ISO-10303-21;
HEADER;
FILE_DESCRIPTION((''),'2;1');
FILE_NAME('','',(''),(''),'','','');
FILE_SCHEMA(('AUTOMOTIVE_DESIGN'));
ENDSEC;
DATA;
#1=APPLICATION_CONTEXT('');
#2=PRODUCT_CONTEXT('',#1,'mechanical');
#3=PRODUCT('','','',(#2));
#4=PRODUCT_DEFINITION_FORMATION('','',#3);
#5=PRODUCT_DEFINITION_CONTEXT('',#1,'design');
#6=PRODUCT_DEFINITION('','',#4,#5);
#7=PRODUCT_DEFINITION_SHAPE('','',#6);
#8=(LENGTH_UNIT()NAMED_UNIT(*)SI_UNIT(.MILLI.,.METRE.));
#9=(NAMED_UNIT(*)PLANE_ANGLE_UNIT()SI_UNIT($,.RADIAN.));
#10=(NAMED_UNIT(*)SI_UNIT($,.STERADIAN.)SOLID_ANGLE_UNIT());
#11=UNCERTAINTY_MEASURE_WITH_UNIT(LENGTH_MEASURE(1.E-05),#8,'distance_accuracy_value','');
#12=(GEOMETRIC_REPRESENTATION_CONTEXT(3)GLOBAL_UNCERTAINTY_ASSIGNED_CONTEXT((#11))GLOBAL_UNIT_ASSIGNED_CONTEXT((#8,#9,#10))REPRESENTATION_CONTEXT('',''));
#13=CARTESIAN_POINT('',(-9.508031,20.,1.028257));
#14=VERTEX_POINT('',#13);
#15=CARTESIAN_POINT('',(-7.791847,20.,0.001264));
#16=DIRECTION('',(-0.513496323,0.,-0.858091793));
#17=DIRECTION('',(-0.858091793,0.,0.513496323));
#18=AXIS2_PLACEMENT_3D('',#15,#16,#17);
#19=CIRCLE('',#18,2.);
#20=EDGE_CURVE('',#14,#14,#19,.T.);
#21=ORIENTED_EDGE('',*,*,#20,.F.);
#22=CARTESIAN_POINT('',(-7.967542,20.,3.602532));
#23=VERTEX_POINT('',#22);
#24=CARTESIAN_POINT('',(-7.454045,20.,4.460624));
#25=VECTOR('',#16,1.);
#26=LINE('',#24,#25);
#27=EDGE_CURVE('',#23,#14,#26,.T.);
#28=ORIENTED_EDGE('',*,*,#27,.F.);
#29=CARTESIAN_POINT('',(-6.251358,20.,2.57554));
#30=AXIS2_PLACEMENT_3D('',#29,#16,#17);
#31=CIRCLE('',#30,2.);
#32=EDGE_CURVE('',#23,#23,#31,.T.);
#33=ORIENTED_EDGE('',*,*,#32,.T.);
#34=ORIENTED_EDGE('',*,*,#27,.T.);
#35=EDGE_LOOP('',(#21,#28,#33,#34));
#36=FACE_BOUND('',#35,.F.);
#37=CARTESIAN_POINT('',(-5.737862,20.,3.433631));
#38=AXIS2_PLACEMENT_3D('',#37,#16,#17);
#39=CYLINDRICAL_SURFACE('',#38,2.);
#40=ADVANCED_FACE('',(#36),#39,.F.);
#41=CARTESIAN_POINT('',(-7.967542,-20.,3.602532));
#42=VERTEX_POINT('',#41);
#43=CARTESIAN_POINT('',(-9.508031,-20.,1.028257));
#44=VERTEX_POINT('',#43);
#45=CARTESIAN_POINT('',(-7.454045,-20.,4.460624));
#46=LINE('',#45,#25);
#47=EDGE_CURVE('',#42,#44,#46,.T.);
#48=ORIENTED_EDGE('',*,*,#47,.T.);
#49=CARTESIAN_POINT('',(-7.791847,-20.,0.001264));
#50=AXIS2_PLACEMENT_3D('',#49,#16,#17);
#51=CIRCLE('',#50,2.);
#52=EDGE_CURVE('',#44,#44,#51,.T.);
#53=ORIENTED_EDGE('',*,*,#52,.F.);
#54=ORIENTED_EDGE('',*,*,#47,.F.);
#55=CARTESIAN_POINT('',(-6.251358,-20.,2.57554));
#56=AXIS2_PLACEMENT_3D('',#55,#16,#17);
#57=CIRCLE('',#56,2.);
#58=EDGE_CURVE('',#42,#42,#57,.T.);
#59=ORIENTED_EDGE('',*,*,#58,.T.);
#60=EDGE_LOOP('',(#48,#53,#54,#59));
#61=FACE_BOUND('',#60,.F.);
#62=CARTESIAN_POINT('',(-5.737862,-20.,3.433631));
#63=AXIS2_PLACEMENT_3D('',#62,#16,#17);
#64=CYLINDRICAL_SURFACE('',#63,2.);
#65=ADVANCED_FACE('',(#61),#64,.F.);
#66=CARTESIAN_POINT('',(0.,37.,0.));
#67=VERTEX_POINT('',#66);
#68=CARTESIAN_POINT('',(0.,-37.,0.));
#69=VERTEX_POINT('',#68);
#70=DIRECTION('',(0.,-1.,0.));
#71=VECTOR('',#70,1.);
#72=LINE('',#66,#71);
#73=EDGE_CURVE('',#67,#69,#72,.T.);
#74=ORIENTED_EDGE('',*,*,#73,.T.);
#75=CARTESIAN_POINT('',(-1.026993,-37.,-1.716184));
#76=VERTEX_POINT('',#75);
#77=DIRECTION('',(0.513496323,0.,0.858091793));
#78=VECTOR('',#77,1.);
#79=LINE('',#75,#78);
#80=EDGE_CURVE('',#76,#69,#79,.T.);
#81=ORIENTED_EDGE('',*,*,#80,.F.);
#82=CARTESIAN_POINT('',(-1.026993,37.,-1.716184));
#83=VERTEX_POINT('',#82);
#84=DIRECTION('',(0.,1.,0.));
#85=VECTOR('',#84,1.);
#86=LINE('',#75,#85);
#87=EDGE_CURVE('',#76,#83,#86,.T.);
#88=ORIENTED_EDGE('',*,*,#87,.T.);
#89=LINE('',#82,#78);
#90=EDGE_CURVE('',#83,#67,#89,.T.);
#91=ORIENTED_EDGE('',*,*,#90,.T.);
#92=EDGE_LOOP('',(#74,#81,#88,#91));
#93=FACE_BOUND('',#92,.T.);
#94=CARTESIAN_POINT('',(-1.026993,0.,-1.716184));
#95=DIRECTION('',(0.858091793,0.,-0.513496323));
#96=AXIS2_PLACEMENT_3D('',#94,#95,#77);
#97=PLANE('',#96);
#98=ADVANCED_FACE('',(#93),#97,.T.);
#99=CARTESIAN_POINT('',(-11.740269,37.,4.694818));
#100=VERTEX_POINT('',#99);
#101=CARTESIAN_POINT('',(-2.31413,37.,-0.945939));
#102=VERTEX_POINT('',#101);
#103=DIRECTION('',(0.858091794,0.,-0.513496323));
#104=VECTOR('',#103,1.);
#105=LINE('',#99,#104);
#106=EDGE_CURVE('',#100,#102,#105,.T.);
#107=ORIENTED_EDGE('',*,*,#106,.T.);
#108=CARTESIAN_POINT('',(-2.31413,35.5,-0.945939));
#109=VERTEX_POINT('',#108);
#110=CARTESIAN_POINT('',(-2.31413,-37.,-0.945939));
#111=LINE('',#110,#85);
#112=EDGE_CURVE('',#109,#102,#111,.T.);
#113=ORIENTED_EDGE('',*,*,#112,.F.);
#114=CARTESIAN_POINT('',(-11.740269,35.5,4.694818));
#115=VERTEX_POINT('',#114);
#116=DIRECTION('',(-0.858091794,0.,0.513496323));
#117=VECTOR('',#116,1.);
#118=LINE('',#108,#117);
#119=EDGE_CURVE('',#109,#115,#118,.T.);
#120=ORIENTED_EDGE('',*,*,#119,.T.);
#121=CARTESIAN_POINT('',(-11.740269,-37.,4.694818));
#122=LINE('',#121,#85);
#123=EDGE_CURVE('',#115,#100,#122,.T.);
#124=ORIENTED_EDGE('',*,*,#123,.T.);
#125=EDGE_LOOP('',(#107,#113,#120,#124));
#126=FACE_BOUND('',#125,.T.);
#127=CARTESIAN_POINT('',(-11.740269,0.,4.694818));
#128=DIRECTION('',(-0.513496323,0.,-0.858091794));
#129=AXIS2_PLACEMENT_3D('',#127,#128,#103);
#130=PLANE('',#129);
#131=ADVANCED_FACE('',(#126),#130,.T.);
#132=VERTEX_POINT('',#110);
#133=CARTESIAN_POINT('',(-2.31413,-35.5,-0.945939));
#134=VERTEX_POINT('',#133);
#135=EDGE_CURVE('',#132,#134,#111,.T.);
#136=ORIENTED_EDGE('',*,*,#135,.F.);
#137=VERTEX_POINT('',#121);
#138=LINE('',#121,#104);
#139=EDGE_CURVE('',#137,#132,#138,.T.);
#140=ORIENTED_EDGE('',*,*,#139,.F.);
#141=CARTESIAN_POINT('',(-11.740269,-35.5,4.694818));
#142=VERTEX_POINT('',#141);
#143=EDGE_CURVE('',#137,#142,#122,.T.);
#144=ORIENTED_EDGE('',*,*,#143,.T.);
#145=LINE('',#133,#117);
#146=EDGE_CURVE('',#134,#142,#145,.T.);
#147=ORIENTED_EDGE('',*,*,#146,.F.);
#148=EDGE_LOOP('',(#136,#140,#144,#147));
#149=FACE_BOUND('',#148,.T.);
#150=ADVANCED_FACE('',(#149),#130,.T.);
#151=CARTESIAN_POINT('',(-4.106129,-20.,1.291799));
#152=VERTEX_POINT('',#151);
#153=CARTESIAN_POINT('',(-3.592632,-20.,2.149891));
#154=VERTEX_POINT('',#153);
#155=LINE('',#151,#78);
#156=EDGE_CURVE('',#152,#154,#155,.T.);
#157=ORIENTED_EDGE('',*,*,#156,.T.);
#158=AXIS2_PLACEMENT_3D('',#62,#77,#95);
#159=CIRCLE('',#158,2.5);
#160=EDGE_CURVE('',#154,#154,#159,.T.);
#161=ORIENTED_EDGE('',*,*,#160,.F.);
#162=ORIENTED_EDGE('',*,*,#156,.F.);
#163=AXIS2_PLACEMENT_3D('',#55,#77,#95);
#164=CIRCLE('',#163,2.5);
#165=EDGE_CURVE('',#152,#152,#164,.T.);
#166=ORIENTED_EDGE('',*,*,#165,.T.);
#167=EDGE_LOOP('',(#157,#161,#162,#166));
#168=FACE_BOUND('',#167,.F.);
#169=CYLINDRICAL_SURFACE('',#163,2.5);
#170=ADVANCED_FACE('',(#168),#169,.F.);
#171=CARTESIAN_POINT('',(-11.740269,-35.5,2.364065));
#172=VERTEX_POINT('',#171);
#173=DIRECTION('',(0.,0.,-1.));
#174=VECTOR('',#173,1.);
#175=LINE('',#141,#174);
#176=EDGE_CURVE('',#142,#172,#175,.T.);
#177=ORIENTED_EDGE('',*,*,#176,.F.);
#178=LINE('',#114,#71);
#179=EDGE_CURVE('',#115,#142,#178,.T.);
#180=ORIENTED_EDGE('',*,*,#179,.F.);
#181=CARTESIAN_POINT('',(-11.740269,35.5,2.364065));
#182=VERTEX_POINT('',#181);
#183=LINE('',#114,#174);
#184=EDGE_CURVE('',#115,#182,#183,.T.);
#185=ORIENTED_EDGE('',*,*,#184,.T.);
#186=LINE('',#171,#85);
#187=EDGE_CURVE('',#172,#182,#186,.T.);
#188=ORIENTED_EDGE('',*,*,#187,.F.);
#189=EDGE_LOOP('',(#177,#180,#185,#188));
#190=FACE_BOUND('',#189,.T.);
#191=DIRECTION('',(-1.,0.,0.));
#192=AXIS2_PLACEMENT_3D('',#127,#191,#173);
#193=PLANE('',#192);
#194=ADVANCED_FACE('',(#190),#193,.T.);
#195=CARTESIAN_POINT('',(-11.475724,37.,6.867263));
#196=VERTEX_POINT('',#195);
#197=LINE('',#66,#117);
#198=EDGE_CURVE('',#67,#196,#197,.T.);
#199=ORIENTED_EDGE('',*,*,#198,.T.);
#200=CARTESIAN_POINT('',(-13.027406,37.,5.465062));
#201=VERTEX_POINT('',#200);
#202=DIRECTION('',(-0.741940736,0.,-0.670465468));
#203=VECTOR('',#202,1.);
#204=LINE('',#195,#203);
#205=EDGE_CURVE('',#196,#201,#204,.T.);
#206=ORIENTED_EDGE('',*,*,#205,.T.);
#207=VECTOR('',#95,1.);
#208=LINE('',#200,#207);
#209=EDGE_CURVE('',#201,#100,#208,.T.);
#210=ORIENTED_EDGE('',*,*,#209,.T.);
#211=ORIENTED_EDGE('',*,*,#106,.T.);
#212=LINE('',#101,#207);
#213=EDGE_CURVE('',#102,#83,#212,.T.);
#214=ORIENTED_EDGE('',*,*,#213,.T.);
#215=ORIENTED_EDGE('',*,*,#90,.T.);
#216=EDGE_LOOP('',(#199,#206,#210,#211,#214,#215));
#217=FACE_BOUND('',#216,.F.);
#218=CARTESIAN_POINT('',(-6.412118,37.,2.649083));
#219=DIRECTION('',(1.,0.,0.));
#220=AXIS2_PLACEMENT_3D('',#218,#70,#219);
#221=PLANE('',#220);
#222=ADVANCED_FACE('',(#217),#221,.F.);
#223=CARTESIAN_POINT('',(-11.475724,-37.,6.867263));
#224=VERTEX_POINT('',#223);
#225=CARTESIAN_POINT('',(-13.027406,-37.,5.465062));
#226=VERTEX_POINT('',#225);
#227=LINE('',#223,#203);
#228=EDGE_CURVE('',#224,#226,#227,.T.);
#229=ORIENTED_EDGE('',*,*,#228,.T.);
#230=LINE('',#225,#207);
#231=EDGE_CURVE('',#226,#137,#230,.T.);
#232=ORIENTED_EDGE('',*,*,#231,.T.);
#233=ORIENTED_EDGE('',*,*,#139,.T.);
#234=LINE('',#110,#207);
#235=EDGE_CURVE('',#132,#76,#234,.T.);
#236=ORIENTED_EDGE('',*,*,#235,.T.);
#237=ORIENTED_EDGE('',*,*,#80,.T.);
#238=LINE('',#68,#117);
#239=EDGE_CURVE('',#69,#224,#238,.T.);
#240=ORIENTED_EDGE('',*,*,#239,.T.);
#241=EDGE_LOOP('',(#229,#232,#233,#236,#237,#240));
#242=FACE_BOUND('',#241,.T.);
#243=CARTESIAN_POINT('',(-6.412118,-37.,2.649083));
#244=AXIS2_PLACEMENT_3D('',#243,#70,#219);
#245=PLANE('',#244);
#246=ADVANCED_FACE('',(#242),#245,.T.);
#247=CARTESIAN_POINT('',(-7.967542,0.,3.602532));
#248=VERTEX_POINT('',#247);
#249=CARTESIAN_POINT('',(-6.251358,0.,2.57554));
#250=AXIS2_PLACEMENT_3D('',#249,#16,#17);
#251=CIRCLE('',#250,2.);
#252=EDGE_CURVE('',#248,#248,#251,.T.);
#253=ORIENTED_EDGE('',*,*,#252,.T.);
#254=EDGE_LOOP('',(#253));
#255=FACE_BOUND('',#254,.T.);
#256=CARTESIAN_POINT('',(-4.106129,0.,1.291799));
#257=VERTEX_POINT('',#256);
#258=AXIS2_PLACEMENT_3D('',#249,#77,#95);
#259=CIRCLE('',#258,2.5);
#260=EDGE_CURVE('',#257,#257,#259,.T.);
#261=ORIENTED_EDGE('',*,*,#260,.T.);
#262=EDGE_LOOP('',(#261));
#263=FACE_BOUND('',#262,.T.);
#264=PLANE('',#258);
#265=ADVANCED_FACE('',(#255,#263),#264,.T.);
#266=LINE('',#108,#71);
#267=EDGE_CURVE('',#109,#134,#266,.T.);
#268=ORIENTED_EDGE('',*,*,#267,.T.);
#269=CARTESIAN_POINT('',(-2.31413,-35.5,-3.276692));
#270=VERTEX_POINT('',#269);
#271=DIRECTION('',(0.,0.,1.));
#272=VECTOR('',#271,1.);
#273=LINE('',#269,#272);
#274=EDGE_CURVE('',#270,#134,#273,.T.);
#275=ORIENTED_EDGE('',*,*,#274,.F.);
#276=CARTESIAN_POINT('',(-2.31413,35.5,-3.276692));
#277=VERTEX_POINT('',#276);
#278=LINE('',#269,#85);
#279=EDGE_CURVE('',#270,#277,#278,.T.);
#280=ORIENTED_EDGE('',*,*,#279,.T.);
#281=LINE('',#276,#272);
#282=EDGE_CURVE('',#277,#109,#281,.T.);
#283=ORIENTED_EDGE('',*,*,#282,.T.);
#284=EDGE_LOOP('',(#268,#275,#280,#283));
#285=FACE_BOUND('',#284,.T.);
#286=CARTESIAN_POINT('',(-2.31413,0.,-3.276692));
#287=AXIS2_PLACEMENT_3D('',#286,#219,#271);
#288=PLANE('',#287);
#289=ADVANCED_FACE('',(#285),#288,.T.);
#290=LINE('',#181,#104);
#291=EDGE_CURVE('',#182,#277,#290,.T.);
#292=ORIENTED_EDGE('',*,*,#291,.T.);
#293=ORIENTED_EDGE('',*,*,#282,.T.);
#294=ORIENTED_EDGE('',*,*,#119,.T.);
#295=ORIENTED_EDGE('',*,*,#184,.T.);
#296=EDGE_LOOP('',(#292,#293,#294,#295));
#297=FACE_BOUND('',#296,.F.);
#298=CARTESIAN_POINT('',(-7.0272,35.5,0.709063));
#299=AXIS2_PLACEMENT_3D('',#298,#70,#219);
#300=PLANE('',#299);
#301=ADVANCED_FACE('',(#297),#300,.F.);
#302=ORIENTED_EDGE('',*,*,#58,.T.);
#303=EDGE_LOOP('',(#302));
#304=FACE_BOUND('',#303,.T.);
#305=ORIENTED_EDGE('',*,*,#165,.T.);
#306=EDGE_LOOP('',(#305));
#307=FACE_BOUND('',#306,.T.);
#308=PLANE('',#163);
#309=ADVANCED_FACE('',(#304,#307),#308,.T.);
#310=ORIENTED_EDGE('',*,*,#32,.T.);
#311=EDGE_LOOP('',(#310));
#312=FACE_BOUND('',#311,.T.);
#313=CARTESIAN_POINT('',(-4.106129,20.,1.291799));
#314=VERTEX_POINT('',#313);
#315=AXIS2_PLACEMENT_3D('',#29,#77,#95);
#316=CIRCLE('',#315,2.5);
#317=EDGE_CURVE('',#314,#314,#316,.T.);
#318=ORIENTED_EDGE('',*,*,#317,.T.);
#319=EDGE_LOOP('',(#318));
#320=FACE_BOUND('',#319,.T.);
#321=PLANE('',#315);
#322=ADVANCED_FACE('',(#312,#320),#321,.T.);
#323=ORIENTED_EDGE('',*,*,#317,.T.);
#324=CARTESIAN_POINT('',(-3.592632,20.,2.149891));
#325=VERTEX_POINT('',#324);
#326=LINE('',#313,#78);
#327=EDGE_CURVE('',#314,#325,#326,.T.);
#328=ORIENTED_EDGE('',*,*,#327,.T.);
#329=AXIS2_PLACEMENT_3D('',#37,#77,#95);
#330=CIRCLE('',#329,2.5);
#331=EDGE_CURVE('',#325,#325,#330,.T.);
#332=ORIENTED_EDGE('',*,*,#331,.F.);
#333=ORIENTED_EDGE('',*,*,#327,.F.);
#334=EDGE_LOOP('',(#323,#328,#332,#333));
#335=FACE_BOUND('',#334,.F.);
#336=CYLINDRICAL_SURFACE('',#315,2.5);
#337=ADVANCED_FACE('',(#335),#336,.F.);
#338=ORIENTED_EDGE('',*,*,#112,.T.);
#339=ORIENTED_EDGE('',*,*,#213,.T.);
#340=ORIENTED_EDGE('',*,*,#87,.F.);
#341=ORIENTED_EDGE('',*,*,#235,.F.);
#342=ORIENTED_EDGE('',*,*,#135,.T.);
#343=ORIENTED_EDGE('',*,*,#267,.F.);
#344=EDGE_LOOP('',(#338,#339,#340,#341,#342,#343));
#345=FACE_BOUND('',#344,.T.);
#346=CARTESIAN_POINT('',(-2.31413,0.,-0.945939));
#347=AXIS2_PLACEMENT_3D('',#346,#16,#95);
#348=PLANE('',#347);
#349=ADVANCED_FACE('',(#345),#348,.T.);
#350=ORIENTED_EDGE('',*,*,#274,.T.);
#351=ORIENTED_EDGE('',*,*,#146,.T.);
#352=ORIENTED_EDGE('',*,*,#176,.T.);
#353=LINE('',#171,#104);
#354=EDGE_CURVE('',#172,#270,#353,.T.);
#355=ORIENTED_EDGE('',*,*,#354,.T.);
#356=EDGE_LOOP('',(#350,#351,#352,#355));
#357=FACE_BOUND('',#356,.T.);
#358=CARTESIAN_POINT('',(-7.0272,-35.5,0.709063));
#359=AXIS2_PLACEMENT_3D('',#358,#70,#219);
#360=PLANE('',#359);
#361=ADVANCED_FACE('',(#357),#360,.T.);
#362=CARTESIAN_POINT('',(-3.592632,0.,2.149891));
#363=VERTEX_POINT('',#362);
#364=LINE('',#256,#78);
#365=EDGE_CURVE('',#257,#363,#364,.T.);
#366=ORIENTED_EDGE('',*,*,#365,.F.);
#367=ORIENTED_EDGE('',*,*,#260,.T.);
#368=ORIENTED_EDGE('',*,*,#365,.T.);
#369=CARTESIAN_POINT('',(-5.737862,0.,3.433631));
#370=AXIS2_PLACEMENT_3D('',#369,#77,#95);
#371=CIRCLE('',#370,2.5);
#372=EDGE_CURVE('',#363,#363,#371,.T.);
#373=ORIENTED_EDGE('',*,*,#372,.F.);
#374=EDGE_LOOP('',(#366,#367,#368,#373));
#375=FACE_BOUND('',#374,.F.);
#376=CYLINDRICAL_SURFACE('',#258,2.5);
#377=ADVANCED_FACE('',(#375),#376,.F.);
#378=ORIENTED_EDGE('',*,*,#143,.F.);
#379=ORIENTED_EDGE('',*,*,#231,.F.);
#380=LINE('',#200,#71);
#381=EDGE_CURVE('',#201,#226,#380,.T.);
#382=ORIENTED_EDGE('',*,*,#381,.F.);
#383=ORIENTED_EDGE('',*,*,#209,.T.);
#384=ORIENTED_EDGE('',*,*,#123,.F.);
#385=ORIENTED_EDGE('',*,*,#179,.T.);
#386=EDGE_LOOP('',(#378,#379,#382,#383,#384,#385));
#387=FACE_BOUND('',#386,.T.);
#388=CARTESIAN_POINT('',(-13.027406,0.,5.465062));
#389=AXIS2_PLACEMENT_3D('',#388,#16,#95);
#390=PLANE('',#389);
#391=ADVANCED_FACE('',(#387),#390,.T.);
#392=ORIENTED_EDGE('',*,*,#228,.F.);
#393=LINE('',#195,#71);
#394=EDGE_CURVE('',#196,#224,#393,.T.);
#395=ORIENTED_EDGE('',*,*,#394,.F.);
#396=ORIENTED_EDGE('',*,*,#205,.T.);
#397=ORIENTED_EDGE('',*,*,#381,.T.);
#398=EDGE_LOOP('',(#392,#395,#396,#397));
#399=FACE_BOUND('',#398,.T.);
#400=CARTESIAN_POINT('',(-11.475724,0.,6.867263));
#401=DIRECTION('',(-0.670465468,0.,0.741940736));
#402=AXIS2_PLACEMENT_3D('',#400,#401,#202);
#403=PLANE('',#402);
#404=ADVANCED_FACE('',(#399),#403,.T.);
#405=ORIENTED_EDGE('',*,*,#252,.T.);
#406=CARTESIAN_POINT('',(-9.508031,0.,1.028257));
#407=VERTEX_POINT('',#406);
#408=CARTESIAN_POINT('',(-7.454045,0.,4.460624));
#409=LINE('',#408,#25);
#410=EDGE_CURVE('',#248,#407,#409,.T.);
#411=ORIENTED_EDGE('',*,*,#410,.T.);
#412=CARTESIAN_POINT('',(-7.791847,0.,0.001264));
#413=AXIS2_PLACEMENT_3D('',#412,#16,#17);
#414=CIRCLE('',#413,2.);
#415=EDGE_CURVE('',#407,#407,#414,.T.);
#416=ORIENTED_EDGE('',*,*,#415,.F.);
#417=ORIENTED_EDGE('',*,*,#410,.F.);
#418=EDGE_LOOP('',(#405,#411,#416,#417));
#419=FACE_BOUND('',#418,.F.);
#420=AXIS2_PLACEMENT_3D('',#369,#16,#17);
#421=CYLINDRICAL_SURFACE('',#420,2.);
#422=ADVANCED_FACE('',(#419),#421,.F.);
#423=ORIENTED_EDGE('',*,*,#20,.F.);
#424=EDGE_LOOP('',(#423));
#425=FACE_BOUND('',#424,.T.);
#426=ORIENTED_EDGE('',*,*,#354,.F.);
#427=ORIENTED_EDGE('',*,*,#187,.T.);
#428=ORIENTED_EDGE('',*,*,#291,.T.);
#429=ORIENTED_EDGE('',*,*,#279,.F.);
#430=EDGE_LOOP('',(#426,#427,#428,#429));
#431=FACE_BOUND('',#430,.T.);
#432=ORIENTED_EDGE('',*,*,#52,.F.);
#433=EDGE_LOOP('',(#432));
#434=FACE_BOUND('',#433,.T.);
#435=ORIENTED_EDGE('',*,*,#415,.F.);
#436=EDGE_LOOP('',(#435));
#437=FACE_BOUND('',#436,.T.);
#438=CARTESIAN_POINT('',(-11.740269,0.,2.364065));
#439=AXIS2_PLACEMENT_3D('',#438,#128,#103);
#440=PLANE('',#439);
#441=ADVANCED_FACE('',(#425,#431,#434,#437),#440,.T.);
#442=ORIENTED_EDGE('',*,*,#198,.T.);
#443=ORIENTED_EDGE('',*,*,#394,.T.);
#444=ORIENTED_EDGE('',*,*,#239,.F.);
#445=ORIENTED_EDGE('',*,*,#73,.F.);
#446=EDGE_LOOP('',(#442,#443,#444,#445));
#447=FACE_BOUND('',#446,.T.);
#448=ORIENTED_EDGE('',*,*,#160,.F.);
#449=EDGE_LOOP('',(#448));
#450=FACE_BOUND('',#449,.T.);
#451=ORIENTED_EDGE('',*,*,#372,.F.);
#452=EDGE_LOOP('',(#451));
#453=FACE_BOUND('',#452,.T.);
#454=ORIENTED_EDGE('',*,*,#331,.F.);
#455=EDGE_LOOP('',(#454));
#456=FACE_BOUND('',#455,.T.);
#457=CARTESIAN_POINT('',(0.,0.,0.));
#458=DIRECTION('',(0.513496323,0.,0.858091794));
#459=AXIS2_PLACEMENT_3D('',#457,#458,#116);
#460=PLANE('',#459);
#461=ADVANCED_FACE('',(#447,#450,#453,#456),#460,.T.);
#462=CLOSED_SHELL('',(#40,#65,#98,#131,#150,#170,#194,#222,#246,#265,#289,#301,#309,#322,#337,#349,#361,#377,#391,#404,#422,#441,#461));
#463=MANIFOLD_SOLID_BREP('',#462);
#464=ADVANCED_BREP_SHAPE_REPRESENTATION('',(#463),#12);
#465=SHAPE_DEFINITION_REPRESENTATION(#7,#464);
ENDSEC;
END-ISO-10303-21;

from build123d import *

# Parameters (mm, degrees)
F1_DEPTH       = 37
F2_DEPTH       = 35.5
F4_D           = 4
F4_DEPTH       = 5
F4_CBORE_D     = 5
F4_CBORE_DEPTH = 1
F4_TIP         = 1.2017212381


with BuildPart() as f1:
    # F0 (on Front) → F1 (new body, symmetric)
    with BuildSketch(Plane.XZ):
        Polygon((-1.0269926464, -1.716183587), (0, 0), (-11.4757237546, 6.8672629181), (-13.0274063785, 5.4650624927), (-11.7402686883, 4.6948180079), (-2.3141303366, -0.9459391022), align=None)
    extrude(amount=F1_DEPTH, both=True)

    # F0 (on Front) → F2 (join, symmetric)
    with BuildSketch(Plane.XZ):
        Polygon((-2.3141303366, -3.2766920766), (-2.3141303366, -0.9459391022), (-11.7402686883, 4.6948180079), (-11.7402686883, 2.3640650335), align=None)
    extrude(amount=F2_DEPTH, both=True)

    # F4
    with Locations(Plane(origin=(0, 0, 0), x_dir=(0.8580917935, 0, -0.5134963232), z_dir=(0.5134963232, 0, 0.8580917935))):
        with Locations((-6.6867693185, 20), (-6.6867693185, 0), (-6.6867693185, -20)):
            CounterBoreHole(F4_D / 2, F4_CBORE_D / 2, F4_CBORE_DEPTH, depth=F4_DEPTH)
            with Locations((0, 0, -(F4_DEPTH + F4_TIP / 2))):  # 118° drill point
                Cone(0, F4_D / 2, F4_TIP, mode=Mode.SUBTRACT)


solid = f1.part
